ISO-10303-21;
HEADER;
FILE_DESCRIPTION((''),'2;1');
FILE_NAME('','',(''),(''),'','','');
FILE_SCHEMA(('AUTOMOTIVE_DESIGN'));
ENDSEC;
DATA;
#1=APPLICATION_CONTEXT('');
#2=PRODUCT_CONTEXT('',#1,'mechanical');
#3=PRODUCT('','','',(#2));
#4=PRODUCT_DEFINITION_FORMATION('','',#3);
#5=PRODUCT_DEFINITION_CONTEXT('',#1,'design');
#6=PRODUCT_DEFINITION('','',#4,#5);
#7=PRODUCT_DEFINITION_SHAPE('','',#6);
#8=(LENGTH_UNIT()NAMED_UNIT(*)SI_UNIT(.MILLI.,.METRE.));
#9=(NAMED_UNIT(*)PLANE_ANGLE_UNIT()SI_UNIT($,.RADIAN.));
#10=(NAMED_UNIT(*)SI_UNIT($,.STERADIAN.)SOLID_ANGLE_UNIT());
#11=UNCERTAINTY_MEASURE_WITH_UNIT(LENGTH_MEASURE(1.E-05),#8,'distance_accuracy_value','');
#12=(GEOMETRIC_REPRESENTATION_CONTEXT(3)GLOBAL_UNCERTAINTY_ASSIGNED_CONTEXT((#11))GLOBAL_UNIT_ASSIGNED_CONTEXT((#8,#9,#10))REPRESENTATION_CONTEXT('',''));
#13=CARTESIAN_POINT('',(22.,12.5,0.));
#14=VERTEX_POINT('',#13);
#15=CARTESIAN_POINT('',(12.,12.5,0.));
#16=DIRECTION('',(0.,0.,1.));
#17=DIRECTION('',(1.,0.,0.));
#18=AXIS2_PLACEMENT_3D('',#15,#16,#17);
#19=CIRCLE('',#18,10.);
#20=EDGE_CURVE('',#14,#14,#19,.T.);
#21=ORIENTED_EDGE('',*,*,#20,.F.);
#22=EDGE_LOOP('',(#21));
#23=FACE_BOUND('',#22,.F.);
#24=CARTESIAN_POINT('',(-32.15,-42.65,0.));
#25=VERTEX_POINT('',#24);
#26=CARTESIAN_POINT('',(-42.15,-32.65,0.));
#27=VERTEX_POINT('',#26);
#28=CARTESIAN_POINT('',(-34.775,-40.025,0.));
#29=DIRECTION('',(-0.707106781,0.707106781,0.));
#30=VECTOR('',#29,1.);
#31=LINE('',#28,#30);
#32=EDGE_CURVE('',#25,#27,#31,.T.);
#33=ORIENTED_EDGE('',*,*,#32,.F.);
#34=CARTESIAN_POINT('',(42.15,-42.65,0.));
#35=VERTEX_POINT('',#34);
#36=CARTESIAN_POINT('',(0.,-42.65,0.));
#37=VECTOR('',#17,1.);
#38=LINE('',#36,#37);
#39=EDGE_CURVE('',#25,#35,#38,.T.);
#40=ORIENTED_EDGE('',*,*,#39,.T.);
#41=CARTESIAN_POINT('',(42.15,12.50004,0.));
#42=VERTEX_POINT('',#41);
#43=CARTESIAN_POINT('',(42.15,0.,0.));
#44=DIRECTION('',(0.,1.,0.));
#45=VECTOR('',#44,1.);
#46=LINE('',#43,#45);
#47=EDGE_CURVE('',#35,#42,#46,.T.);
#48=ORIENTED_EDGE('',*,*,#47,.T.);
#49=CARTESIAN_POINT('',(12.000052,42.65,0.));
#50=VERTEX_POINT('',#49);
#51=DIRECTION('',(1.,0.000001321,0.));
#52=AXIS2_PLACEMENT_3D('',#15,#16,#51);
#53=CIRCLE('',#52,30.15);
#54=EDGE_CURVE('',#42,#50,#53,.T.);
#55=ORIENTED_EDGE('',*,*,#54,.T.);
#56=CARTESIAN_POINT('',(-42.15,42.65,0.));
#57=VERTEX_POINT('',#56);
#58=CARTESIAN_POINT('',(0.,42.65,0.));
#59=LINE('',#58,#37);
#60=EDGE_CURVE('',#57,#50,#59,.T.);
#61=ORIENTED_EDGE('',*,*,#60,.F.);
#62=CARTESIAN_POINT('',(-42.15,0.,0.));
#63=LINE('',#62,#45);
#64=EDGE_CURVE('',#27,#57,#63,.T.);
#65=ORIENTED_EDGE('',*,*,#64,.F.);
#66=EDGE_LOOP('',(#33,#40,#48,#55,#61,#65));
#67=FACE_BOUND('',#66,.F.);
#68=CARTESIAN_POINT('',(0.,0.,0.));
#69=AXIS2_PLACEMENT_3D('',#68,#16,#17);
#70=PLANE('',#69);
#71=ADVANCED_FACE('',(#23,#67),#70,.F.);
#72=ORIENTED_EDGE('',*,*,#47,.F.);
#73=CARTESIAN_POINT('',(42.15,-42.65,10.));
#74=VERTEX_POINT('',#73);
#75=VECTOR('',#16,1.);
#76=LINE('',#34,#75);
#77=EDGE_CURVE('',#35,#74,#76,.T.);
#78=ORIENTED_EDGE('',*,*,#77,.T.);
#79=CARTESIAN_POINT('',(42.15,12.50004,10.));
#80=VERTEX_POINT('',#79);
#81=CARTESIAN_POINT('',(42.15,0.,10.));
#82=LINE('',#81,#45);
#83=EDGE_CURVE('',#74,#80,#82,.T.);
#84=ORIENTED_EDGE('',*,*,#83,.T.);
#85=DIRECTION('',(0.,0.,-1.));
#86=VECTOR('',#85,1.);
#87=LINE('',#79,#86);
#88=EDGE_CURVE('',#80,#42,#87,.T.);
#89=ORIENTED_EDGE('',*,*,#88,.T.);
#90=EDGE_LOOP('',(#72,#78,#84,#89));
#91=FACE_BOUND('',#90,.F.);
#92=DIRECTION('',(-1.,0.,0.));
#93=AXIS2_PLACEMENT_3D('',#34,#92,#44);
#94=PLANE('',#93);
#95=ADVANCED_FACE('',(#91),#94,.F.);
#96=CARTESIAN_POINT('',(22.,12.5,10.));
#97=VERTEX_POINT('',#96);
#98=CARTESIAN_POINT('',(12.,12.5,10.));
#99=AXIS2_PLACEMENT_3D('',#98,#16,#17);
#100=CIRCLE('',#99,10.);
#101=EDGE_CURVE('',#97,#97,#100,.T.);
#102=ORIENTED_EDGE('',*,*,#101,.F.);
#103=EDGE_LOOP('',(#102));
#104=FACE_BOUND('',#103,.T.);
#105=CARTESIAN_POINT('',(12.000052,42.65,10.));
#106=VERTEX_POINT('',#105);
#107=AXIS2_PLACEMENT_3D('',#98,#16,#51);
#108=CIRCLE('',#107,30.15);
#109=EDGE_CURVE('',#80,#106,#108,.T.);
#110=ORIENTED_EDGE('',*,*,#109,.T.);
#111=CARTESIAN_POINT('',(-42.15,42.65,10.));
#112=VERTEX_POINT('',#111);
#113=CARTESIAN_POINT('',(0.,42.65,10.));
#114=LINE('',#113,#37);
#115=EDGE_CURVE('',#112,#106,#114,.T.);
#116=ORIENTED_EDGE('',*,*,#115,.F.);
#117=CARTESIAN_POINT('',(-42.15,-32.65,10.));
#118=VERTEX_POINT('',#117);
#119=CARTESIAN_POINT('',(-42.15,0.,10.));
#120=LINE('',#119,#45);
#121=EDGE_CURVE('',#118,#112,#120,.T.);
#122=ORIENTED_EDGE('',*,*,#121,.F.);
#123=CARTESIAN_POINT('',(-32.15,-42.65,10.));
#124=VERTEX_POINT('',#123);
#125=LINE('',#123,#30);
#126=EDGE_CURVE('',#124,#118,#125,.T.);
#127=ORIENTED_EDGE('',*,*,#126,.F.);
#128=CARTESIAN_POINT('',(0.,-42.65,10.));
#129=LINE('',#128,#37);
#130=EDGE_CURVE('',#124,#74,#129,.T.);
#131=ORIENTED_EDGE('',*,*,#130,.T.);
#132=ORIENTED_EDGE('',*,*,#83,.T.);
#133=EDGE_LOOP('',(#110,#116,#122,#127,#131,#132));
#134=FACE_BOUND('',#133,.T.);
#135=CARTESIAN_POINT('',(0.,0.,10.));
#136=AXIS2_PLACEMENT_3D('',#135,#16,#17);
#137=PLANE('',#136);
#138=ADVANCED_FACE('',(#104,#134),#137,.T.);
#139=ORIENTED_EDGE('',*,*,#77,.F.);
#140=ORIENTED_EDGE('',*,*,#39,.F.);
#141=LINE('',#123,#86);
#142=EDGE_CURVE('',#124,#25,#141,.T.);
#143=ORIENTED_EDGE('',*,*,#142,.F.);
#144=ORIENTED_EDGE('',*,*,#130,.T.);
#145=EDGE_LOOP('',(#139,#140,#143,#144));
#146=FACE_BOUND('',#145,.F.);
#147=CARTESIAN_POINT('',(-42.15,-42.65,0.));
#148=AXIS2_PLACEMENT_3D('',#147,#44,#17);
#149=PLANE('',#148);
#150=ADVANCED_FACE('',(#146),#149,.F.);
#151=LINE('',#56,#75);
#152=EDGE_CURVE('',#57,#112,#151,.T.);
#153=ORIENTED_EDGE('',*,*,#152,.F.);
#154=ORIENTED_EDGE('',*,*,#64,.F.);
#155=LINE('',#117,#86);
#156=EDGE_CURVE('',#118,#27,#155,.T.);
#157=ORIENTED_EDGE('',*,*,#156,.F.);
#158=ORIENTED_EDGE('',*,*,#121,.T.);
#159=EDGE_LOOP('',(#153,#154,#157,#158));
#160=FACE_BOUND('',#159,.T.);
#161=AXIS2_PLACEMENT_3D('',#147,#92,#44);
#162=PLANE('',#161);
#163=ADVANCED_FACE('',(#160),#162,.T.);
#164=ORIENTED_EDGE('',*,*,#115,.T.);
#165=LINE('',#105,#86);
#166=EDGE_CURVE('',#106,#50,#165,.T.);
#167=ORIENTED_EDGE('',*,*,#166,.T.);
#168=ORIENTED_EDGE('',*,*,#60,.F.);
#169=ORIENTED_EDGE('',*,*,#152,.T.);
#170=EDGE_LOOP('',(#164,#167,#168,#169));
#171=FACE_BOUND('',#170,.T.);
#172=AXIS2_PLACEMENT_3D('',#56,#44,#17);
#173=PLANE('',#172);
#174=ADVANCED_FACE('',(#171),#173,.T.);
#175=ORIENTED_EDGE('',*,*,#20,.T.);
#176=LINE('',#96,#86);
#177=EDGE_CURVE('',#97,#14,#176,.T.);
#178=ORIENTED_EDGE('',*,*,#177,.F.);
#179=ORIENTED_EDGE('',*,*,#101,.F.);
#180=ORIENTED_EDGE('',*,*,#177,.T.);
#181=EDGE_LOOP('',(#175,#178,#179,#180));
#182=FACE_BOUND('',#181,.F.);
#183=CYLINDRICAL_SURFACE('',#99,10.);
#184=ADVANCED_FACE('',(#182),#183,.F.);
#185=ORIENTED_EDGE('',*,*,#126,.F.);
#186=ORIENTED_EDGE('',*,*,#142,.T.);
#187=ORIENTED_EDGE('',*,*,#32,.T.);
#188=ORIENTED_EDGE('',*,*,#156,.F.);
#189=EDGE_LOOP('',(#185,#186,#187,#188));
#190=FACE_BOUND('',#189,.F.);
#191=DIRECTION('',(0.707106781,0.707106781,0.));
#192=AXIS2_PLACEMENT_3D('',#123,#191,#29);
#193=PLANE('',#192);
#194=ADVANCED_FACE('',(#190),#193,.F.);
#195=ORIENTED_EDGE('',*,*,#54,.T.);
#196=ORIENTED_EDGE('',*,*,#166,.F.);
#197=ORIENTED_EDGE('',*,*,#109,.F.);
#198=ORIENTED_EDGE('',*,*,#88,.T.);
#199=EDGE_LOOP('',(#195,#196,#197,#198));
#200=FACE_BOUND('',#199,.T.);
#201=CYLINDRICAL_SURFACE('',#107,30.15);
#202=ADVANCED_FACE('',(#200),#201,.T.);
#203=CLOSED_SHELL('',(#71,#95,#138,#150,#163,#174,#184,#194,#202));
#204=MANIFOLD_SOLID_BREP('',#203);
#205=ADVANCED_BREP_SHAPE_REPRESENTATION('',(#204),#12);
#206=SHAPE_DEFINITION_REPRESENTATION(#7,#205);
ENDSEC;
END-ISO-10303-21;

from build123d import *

# Parameters (mm, degrees)
SKETCH_W     = 84.3
SKETCH_H     = 85.3
PAD_DEPTH    = 10
SKETCH001_R  = 10
POCKET_DEPTH = 10.001


with BuildPart() as part:
    # Sketch → Pad (new body)
    with BuildSketch(Plane.XY):
        Rectangle(SKETCH_W, SKETCH_H)
    extrude(amount=PAD_DEPTH)

    # Sketch001 (on Face6 of Pad) → Pocket (cut, through all)
    with BuildSketch(Plane.XY.offset(10)):
        with Locations((12, 12.5)):
            Circle(SKETCH001_R)
        Polygon((-42.15, -32.65), (-42.15, -42.65), (-32.15, -42.65), align=None)
        with BuildLine():
            ThreePointArc((42.15, 12.50004), (33.319274, 33.819265), (12.000052, 42.65))
            Line((12.000052, 42.65), (42.15, 84.3))
            Line((42.15, 84.3), (42.15, 12.50004))
        make_face()
    extrude(amount=-POCKET_DEPTH, mode=Mode.SUBTRACT)


solid = part.part
